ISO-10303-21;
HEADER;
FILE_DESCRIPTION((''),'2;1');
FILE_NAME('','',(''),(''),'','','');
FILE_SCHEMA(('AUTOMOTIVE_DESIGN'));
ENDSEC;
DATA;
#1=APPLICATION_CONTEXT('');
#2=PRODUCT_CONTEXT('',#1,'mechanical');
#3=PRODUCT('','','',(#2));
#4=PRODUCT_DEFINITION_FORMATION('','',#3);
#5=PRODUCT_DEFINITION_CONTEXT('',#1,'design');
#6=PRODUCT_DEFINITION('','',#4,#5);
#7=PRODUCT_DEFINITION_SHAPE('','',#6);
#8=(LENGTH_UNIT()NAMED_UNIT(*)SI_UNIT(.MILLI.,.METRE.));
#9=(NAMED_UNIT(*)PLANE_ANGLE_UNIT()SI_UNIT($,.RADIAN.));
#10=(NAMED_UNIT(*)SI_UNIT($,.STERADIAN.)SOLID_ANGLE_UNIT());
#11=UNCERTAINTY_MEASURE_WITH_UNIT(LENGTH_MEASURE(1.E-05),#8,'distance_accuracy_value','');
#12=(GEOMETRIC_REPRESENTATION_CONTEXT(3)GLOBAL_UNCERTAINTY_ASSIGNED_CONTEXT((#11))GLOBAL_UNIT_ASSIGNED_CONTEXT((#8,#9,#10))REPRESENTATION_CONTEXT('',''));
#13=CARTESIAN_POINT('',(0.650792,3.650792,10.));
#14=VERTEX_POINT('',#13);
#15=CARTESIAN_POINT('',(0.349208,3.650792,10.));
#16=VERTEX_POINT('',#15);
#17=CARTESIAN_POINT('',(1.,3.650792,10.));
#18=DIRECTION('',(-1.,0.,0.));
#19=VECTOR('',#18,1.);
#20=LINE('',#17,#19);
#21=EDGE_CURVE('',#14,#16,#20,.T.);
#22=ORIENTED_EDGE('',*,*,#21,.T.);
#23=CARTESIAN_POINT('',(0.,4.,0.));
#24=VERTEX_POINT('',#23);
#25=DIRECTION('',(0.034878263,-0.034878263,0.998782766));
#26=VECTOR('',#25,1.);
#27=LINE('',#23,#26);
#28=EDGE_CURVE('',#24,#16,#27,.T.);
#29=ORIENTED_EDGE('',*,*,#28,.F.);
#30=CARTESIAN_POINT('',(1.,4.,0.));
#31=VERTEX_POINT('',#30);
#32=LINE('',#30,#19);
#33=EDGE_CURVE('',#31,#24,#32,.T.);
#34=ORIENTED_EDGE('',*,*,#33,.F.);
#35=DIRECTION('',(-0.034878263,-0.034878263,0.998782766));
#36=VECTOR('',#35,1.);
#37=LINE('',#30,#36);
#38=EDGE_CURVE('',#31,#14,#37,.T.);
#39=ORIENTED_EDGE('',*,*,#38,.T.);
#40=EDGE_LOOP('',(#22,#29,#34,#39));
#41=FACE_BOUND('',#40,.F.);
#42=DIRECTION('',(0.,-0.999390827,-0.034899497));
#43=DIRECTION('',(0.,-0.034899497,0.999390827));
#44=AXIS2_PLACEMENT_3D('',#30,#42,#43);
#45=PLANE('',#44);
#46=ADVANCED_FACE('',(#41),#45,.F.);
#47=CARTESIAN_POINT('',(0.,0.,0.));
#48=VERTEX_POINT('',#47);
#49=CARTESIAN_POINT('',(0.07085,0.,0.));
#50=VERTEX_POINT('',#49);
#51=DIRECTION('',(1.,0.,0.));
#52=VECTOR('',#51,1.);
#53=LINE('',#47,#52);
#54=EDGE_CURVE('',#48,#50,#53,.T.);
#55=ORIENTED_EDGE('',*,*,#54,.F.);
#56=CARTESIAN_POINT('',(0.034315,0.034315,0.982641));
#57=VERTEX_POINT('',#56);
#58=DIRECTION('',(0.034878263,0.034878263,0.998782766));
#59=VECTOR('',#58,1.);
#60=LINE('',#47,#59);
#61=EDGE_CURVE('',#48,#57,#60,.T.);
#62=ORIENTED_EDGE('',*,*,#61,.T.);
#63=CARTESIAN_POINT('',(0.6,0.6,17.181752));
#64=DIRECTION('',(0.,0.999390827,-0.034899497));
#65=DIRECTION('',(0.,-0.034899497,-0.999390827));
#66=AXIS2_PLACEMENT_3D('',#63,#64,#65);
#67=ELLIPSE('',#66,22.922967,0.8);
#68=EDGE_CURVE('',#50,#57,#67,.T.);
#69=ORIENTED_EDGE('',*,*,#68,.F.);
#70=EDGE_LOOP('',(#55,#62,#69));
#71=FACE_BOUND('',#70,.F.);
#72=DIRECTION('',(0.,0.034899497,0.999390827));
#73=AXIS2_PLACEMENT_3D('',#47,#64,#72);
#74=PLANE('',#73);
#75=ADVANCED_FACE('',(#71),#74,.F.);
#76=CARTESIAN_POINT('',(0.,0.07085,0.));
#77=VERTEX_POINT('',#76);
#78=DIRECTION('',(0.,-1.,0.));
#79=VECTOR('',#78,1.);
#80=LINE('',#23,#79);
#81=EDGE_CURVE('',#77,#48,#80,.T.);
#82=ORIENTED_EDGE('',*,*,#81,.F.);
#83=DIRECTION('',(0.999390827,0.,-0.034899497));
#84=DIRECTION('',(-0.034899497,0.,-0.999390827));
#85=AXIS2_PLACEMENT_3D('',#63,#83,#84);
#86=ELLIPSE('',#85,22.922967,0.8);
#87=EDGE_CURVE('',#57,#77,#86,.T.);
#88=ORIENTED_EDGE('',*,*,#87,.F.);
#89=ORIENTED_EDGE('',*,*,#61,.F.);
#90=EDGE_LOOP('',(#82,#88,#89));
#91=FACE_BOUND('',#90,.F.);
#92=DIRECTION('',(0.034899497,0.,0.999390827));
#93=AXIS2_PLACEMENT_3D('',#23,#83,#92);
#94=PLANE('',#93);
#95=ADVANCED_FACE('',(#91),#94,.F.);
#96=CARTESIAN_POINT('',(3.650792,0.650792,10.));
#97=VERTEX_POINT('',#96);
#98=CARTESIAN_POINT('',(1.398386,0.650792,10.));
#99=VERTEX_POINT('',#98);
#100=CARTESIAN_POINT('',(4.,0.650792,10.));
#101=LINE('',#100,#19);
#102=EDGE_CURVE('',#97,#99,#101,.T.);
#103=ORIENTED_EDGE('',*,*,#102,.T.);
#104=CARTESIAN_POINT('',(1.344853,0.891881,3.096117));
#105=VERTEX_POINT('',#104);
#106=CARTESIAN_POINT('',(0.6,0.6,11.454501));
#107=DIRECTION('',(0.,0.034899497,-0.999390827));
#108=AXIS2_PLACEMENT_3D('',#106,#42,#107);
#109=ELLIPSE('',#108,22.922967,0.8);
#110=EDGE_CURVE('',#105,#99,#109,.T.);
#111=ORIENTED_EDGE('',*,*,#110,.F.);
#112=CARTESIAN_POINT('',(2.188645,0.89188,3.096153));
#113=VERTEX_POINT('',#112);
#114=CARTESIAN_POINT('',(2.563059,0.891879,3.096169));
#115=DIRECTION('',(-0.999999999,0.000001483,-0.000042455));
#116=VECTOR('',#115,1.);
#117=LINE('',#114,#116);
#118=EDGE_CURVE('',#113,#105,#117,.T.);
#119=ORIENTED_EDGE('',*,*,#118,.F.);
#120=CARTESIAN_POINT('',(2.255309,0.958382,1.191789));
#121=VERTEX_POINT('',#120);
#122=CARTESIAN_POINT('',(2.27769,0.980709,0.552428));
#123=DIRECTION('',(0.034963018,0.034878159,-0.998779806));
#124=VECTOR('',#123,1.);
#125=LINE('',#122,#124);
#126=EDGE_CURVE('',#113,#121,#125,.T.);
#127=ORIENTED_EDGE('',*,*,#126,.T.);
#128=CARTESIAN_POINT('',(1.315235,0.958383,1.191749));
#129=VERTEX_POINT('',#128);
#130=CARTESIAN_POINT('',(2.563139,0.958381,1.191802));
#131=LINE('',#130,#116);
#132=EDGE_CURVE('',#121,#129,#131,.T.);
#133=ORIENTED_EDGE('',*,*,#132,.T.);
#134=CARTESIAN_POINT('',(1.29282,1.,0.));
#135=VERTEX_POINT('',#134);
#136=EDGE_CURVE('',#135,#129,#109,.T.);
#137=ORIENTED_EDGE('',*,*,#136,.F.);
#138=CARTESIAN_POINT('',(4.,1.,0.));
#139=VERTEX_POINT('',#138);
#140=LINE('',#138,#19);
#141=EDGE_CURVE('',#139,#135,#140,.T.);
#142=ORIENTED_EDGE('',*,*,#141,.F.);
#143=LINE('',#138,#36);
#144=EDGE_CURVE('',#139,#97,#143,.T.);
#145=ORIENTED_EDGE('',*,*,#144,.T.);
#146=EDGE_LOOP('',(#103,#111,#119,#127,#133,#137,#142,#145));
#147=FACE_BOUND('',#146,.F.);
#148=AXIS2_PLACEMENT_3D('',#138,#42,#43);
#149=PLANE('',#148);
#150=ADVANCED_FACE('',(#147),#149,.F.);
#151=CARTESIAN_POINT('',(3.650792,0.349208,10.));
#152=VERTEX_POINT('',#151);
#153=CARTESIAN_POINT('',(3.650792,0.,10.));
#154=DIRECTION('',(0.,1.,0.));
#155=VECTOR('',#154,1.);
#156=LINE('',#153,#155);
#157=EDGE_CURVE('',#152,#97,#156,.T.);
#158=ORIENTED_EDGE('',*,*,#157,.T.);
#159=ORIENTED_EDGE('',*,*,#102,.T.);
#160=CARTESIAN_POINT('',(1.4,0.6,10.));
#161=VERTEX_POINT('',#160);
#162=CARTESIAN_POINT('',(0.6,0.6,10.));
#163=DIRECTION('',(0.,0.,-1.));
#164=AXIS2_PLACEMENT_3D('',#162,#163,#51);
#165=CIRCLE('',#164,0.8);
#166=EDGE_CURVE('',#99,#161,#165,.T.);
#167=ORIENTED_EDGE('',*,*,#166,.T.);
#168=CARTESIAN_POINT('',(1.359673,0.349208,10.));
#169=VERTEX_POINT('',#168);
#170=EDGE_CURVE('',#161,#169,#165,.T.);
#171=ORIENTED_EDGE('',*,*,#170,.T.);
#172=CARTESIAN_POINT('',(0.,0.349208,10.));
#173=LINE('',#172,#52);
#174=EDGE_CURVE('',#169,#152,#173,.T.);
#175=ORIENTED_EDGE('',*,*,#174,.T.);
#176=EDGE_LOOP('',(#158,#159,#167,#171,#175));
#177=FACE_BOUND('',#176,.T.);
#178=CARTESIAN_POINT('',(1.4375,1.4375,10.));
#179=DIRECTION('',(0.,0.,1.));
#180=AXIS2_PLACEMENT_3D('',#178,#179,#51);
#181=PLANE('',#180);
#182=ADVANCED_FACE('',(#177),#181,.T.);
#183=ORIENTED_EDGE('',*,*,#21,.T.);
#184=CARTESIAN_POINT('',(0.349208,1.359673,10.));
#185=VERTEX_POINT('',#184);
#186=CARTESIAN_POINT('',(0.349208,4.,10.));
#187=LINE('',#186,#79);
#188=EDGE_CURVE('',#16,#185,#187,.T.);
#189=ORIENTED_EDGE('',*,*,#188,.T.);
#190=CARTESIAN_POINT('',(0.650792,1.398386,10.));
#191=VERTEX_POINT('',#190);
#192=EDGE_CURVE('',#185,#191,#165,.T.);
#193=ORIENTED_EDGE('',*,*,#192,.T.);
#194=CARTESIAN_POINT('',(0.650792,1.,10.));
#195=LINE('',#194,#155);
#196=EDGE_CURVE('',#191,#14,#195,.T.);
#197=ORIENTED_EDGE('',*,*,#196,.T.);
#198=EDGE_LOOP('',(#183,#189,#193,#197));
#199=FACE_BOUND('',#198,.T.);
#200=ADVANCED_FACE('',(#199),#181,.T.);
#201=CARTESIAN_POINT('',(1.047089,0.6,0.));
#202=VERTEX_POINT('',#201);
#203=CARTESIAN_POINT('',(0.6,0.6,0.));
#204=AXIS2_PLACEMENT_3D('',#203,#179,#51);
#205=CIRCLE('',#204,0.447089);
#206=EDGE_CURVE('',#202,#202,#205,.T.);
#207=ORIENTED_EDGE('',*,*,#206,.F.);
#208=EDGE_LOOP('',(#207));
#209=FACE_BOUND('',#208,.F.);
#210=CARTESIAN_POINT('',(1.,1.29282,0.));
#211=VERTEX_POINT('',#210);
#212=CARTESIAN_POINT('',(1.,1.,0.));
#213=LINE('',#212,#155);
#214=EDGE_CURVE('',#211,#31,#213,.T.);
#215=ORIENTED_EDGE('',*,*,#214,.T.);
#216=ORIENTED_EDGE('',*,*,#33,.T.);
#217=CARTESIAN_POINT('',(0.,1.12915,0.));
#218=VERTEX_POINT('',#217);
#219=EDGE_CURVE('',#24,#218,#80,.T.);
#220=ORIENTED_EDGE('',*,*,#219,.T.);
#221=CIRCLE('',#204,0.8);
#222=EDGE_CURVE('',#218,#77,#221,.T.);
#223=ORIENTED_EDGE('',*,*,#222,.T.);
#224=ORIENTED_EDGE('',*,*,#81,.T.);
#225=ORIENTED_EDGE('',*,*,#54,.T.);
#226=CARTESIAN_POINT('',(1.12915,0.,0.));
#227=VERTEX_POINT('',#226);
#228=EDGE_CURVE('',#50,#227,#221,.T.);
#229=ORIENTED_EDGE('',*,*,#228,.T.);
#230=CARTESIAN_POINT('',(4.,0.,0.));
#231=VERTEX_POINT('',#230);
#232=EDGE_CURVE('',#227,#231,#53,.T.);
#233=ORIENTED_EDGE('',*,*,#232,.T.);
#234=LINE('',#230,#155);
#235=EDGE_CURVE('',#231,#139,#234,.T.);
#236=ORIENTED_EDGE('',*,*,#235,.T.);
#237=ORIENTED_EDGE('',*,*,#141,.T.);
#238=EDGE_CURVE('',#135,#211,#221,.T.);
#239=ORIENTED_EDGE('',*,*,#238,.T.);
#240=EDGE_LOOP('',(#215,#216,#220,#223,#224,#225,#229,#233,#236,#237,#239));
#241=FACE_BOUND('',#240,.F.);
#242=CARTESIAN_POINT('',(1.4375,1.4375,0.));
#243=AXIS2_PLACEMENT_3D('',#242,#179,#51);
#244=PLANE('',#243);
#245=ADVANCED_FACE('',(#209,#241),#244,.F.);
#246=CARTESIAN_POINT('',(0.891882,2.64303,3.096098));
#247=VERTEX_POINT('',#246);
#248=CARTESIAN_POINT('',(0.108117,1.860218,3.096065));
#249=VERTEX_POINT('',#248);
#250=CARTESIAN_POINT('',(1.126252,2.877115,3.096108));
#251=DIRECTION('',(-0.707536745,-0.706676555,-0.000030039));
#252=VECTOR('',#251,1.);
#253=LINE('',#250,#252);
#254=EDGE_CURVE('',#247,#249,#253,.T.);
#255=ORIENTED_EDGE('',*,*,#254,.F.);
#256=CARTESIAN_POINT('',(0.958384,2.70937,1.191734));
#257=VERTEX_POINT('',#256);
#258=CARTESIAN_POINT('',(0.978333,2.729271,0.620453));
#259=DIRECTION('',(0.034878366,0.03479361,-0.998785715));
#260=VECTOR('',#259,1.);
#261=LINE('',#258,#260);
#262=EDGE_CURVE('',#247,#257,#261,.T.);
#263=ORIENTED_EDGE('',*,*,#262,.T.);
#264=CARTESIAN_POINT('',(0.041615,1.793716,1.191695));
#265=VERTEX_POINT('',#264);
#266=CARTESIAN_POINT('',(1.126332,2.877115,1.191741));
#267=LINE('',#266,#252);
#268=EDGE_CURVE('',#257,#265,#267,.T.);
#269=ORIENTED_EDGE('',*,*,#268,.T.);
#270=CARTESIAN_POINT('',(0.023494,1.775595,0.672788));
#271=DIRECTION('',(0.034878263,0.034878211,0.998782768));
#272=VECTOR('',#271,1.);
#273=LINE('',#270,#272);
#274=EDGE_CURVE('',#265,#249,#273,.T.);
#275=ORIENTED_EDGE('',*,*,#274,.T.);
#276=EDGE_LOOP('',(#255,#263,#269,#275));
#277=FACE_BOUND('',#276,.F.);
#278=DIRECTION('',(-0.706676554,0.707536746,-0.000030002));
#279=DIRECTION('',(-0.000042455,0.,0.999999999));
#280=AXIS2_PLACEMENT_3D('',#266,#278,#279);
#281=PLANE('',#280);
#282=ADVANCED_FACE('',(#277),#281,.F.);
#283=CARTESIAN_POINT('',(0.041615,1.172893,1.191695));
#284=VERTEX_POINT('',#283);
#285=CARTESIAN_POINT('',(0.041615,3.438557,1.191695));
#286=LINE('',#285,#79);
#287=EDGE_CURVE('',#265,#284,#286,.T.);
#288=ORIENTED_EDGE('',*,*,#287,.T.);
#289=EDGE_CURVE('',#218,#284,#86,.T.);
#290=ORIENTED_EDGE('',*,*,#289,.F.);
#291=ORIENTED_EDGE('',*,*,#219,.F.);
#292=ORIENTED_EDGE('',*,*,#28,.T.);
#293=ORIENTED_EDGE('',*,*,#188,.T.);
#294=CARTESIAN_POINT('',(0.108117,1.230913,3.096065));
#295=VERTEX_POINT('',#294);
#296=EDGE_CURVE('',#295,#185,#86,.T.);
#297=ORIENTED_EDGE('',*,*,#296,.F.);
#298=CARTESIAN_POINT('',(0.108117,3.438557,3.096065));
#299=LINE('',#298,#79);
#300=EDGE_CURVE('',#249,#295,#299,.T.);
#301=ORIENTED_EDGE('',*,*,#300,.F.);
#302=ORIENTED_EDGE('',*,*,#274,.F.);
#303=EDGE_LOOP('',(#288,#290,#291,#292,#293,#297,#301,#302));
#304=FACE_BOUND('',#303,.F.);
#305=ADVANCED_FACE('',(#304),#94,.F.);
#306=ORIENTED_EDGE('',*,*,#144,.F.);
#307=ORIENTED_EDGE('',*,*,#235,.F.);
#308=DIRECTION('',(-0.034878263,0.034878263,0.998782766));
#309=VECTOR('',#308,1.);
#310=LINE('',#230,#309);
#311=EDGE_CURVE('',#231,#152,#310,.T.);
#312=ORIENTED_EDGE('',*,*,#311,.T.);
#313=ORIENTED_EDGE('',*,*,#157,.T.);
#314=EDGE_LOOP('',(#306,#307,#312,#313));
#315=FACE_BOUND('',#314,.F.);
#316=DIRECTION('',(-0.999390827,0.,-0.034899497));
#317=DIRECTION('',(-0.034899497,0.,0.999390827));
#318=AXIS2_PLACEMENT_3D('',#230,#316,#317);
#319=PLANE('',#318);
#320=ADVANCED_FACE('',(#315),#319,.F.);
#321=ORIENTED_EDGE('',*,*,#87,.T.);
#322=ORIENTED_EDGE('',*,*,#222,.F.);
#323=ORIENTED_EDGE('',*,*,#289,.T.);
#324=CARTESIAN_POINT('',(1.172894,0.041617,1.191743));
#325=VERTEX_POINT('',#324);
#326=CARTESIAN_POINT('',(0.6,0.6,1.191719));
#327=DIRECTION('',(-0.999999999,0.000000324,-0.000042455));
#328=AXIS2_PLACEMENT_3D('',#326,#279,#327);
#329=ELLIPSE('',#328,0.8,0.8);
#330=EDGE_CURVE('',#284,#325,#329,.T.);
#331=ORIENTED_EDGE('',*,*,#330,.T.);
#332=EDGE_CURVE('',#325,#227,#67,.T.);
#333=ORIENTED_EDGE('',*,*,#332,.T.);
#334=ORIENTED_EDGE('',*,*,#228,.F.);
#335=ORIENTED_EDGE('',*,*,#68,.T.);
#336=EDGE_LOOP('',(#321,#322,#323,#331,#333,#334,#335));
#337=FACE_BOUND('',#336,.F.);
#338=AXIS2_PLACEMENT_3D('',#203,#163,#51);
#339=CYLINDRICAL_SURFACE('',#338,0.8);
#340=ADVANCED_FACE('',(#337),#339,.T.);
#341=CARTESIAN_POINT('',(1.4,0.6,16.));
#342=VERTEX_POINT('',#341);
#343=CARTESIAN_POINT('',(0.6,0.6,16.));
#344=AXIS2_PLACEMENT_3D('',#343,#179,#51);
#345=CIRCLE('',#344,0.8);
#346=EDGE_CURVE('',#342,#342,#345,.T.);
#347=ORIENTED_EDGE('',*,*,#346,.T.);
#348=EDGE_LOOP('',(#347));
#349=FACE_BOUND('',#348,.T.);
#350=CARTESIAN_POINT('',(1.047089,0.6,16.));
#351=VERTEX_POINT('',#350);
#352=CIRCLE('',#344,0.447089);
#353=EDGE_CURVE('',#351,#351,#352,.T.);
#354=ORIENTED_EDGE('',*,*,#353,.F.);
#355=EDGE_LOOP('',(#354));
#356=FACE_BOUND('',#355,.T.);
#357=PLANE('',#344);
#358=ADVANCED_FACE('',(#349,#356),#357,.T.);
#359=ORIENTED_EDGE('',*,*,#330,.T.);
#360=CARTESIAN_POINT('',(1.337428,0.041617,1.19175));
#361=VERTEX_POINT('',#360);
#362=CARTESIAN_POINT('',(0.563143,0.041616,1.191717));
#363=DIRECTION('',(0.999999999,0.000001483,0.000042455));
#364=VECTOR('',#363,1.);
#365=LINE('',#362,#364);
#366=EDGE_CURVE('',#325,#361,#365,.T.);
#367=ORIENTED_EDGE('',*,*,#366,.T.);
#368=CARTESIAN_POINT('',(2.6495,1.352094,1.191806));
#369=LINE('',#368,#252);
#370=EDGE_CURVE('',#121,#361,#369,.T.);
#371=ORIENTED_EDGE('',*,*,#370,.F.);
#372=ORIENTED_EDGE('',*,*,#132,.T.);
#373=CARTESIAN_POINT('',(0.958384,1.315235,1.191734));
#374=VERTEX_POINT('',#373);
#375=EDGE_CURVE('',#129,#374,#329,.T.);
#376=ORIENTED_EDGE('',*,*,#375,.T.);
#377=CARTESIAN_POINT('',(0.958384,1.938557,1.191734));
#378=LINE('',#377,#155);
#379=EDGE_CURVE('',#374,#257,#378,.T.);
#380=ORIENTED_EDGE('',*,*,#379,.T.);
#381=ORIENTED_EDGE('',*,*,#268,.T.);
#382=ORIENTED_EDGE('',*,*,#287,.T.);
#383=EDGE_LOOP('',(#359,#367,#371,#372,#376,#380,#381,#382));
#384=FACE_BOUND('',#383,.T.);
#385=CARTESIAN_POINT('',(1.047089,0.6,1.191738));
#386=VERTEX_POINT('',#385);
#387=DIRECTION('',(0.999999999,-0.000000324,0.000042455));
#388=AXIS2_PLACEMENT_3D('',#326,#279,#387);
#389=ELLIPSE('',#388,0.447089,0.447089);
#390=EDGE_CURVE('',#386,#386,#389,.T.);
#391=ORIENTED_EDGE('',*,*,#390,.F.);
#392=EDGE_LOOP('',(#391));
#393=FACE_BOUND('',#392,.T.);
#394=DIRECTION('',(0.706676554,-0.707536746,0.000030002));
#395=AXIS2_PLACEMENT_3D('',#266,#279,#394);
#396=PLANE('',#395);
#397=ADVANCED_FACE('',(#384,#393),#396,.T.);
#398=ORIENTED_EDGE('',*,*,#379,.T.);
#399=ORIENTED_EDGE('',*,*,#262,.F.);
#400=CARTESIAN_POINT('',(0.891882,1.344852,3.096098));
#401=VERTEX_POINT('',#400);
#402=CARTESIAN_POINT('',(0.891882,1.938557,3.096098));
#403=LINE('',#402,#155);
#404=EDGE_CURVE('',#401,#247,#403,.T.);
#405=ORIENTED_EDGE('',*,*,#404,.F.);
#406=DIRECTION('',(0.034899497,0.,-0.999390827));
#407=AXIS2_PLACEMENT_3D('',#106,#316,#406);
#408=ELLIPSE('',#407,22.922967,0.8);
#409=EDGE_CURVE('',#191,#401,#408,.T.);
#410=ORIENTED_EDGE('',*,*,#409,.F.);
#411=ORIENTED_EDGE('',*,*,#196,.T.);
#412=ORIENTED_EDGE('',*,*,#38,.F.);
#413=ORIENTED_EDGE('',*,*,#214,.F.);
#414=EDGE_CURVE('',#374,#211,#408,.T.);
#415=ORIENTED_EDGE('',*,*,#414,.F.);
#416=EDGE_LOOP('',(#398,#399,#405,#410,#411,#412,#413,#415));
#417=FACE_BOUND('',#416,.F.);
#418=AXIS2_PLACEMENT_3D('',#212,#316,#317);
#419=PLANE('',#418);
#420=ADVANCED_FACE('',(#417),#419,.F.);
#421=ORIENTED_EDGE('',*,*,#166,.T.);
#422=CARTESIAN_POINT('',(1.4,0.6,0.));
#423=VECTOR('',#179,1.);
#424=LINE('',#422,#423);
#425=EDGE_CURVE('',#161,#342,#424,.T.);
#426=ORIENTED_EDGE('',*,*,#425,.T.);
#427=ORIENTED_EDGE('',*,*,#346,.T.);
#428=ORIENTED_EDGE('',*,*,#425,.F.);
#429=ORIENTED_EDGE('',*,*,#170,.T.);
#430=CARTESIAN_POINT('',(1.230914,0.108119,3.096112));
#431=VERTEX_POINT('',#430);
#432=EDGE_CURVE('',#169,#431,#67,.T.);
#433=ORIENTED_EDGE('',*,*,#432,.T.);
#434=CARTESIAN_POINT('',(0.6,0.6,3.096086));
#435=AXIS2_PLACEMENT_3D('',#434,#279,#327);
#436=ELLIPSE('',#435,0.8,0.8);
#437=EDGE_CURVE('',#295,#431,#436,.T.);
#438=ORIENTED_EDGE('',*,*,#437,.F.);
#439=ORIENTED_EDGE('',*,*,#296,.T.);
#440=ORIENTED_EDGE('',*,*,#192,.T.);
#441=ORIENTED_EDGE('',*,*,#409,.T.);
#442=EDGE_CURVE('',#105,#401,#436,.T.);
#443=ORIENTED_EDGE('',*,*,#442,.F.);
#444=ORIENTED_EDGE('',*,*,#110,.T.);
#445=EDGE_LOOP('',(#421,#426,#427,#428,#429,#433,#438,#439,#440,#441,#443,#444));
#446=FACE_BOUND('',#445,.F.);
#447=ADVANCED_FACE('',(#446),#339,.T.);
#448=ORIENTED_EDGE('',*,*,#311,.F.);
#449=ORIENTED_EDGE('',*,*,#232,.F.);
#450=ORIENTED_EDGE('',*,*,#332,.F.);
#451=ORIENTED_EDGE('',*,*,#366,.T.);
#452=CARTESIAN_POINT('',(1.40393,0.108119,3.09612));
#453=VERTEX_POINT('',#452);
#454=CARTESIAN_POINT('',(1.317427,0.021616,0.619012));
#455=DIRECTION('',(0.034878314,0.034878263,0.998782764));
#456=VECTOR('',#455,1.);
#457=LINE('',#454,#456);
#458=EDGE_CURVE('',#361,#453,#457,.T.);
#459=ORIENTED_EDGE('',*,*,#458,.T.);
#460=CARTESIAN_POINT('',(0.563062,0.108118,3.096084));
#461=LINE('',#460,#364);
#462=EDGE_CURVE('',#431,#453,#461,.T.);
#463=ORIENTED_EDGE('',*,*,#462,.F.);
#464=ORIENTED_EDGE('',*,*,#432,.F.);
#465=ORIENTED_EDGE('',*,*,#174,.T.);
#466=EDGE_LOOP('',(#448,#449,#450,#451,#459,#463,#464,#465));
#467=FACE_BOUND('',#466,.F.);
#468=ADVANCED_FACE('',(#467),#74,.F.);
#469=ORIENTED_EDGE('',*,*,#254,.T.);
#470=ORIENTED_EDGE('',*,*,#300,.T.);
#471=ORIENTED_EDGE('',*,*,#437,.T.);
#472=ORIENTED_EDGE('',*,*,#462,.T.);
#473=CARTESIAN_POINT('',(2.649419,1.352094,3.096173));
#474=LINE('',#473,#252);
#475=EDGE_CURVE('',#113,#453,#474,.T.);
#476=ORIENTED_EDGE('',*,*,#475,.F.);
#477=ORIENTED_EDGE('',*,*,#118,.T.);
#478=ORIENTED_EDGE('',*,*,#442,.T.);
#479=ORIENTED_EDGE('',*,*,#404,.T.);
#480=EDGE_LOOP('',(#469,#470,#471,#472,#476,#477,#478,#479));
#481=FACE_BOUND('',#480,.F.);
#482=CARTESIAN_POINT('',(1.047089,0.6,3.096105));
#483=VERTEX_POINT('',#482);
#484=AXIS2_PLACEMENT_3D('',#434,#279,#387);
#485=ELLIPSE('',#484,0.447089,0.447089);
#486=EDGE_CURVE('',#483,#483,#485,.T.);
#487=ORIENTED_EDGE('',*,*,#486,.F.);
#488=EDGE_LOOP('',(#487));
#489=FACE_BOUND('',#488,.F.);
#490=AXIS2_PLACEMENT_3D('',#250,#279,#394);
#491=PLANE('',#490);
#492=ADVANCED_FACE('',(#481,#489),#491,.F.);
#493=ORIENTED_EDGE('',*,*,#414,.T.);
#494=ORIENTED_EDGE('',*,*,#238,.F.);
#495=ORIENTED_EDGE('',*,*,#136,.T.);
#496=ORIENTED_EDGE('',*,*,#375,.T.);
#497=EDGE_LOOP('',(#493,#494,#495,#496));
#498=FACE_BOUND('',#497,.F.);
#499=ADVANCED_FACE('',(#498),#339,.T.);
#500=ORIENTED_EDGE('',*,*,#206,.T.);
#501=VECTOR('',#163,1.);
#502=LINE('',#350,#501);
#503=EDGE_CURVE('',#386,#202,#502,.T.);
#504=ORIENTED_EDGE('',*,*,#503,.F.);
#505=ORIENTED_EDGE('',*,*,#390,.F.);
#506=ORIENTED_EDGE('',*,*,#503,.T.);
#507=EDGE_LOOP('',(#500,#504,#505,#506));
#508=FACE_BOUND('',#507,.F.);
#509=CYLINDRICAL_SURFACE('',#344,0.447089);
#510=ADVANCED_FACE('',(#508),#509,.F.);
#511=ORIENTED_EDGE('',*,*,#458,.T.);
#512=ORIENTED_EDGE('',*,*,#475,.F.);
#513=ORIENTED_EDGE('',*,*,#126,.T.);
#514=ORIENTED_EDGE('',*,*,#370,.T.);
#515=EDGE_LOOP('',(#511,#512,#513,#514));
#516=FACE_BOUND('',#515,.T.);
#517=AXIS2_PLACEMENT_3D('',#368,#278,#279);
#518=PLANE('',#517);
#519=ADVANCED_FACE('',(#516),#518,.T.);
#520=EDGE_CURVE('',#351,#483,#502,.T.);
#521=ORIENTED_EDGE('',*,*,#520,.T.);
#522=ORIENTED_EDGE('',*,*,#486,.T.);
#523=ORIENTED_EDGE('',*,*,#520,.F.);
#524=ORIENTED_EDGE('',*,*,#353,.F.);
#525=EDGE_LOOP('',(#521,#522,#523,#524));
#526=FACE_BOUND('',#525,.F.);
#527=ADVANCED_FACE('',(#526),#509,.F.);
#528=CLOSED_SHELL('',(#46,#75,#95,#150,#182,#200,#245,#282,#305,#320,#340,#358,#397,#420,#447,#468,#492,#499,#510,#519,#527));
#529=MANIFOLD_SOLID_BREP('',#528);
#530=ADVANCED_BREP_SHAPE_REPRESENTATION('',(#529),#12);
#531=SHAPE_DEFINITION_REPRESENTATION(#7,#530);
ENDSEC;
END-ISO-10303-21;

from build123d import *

# Parameters (mm, degrees)
F1_DEPTH = 10
F1_TAPER = 2
F2_R     = 0.8
F3_DEPTH = 16
F4_R     = 0.4470893967
F5_DEPTH = 16.001
F7_W     = 2.1553949919
F7_H     = 1.9043667708
F8_DEPTH = 25


with BuildPart() as f1:
    # F0 (on Top) → F1 (new body)
    with BuildSketch(Plane.XY):
        Polygon((1, 4), (0, 4), (0, 0), (4, 0), (4, 1), (1, 1), align=None)
    extrude(amount=F1_DEPTH, taper=F1_TAPER)

    # F2 (on Top) → F3 (join)
    with BuildSketch(Plane.XY):
        with Locations((0.6, 0.6)):
            Circle(F2_R)
    extrude(amount=F3_DEPTH)

    # F4 (on face) → F5 (cut, through all)
    with BuildSketch(Plane.XY.offset(16)):
        with Locations((0.6, 0.6)):
            Circle(F4_R)
    extrude(amount=-F5_DEPTH, mode=Mode.SUBTRACT)

    # F7 (on face) → F8 (cut)
    with BuildSketch(Plane(origin=(2.0024329828, 1.9999985183, 8.50134e-05), x_dir=(0.7066765544, -0.7075367458, 3.0002e-05), z_dir=(-0.7075367451, -0.706676555, -3.00385e-05))):
        with Locations((-0.1619784161, 2.1438767435)):
            Rectangle(F7_W, F7_H)
    extrude(amount=F8_DEPTH, mode=Mode.SUBTRACT)


solid = f1.part
